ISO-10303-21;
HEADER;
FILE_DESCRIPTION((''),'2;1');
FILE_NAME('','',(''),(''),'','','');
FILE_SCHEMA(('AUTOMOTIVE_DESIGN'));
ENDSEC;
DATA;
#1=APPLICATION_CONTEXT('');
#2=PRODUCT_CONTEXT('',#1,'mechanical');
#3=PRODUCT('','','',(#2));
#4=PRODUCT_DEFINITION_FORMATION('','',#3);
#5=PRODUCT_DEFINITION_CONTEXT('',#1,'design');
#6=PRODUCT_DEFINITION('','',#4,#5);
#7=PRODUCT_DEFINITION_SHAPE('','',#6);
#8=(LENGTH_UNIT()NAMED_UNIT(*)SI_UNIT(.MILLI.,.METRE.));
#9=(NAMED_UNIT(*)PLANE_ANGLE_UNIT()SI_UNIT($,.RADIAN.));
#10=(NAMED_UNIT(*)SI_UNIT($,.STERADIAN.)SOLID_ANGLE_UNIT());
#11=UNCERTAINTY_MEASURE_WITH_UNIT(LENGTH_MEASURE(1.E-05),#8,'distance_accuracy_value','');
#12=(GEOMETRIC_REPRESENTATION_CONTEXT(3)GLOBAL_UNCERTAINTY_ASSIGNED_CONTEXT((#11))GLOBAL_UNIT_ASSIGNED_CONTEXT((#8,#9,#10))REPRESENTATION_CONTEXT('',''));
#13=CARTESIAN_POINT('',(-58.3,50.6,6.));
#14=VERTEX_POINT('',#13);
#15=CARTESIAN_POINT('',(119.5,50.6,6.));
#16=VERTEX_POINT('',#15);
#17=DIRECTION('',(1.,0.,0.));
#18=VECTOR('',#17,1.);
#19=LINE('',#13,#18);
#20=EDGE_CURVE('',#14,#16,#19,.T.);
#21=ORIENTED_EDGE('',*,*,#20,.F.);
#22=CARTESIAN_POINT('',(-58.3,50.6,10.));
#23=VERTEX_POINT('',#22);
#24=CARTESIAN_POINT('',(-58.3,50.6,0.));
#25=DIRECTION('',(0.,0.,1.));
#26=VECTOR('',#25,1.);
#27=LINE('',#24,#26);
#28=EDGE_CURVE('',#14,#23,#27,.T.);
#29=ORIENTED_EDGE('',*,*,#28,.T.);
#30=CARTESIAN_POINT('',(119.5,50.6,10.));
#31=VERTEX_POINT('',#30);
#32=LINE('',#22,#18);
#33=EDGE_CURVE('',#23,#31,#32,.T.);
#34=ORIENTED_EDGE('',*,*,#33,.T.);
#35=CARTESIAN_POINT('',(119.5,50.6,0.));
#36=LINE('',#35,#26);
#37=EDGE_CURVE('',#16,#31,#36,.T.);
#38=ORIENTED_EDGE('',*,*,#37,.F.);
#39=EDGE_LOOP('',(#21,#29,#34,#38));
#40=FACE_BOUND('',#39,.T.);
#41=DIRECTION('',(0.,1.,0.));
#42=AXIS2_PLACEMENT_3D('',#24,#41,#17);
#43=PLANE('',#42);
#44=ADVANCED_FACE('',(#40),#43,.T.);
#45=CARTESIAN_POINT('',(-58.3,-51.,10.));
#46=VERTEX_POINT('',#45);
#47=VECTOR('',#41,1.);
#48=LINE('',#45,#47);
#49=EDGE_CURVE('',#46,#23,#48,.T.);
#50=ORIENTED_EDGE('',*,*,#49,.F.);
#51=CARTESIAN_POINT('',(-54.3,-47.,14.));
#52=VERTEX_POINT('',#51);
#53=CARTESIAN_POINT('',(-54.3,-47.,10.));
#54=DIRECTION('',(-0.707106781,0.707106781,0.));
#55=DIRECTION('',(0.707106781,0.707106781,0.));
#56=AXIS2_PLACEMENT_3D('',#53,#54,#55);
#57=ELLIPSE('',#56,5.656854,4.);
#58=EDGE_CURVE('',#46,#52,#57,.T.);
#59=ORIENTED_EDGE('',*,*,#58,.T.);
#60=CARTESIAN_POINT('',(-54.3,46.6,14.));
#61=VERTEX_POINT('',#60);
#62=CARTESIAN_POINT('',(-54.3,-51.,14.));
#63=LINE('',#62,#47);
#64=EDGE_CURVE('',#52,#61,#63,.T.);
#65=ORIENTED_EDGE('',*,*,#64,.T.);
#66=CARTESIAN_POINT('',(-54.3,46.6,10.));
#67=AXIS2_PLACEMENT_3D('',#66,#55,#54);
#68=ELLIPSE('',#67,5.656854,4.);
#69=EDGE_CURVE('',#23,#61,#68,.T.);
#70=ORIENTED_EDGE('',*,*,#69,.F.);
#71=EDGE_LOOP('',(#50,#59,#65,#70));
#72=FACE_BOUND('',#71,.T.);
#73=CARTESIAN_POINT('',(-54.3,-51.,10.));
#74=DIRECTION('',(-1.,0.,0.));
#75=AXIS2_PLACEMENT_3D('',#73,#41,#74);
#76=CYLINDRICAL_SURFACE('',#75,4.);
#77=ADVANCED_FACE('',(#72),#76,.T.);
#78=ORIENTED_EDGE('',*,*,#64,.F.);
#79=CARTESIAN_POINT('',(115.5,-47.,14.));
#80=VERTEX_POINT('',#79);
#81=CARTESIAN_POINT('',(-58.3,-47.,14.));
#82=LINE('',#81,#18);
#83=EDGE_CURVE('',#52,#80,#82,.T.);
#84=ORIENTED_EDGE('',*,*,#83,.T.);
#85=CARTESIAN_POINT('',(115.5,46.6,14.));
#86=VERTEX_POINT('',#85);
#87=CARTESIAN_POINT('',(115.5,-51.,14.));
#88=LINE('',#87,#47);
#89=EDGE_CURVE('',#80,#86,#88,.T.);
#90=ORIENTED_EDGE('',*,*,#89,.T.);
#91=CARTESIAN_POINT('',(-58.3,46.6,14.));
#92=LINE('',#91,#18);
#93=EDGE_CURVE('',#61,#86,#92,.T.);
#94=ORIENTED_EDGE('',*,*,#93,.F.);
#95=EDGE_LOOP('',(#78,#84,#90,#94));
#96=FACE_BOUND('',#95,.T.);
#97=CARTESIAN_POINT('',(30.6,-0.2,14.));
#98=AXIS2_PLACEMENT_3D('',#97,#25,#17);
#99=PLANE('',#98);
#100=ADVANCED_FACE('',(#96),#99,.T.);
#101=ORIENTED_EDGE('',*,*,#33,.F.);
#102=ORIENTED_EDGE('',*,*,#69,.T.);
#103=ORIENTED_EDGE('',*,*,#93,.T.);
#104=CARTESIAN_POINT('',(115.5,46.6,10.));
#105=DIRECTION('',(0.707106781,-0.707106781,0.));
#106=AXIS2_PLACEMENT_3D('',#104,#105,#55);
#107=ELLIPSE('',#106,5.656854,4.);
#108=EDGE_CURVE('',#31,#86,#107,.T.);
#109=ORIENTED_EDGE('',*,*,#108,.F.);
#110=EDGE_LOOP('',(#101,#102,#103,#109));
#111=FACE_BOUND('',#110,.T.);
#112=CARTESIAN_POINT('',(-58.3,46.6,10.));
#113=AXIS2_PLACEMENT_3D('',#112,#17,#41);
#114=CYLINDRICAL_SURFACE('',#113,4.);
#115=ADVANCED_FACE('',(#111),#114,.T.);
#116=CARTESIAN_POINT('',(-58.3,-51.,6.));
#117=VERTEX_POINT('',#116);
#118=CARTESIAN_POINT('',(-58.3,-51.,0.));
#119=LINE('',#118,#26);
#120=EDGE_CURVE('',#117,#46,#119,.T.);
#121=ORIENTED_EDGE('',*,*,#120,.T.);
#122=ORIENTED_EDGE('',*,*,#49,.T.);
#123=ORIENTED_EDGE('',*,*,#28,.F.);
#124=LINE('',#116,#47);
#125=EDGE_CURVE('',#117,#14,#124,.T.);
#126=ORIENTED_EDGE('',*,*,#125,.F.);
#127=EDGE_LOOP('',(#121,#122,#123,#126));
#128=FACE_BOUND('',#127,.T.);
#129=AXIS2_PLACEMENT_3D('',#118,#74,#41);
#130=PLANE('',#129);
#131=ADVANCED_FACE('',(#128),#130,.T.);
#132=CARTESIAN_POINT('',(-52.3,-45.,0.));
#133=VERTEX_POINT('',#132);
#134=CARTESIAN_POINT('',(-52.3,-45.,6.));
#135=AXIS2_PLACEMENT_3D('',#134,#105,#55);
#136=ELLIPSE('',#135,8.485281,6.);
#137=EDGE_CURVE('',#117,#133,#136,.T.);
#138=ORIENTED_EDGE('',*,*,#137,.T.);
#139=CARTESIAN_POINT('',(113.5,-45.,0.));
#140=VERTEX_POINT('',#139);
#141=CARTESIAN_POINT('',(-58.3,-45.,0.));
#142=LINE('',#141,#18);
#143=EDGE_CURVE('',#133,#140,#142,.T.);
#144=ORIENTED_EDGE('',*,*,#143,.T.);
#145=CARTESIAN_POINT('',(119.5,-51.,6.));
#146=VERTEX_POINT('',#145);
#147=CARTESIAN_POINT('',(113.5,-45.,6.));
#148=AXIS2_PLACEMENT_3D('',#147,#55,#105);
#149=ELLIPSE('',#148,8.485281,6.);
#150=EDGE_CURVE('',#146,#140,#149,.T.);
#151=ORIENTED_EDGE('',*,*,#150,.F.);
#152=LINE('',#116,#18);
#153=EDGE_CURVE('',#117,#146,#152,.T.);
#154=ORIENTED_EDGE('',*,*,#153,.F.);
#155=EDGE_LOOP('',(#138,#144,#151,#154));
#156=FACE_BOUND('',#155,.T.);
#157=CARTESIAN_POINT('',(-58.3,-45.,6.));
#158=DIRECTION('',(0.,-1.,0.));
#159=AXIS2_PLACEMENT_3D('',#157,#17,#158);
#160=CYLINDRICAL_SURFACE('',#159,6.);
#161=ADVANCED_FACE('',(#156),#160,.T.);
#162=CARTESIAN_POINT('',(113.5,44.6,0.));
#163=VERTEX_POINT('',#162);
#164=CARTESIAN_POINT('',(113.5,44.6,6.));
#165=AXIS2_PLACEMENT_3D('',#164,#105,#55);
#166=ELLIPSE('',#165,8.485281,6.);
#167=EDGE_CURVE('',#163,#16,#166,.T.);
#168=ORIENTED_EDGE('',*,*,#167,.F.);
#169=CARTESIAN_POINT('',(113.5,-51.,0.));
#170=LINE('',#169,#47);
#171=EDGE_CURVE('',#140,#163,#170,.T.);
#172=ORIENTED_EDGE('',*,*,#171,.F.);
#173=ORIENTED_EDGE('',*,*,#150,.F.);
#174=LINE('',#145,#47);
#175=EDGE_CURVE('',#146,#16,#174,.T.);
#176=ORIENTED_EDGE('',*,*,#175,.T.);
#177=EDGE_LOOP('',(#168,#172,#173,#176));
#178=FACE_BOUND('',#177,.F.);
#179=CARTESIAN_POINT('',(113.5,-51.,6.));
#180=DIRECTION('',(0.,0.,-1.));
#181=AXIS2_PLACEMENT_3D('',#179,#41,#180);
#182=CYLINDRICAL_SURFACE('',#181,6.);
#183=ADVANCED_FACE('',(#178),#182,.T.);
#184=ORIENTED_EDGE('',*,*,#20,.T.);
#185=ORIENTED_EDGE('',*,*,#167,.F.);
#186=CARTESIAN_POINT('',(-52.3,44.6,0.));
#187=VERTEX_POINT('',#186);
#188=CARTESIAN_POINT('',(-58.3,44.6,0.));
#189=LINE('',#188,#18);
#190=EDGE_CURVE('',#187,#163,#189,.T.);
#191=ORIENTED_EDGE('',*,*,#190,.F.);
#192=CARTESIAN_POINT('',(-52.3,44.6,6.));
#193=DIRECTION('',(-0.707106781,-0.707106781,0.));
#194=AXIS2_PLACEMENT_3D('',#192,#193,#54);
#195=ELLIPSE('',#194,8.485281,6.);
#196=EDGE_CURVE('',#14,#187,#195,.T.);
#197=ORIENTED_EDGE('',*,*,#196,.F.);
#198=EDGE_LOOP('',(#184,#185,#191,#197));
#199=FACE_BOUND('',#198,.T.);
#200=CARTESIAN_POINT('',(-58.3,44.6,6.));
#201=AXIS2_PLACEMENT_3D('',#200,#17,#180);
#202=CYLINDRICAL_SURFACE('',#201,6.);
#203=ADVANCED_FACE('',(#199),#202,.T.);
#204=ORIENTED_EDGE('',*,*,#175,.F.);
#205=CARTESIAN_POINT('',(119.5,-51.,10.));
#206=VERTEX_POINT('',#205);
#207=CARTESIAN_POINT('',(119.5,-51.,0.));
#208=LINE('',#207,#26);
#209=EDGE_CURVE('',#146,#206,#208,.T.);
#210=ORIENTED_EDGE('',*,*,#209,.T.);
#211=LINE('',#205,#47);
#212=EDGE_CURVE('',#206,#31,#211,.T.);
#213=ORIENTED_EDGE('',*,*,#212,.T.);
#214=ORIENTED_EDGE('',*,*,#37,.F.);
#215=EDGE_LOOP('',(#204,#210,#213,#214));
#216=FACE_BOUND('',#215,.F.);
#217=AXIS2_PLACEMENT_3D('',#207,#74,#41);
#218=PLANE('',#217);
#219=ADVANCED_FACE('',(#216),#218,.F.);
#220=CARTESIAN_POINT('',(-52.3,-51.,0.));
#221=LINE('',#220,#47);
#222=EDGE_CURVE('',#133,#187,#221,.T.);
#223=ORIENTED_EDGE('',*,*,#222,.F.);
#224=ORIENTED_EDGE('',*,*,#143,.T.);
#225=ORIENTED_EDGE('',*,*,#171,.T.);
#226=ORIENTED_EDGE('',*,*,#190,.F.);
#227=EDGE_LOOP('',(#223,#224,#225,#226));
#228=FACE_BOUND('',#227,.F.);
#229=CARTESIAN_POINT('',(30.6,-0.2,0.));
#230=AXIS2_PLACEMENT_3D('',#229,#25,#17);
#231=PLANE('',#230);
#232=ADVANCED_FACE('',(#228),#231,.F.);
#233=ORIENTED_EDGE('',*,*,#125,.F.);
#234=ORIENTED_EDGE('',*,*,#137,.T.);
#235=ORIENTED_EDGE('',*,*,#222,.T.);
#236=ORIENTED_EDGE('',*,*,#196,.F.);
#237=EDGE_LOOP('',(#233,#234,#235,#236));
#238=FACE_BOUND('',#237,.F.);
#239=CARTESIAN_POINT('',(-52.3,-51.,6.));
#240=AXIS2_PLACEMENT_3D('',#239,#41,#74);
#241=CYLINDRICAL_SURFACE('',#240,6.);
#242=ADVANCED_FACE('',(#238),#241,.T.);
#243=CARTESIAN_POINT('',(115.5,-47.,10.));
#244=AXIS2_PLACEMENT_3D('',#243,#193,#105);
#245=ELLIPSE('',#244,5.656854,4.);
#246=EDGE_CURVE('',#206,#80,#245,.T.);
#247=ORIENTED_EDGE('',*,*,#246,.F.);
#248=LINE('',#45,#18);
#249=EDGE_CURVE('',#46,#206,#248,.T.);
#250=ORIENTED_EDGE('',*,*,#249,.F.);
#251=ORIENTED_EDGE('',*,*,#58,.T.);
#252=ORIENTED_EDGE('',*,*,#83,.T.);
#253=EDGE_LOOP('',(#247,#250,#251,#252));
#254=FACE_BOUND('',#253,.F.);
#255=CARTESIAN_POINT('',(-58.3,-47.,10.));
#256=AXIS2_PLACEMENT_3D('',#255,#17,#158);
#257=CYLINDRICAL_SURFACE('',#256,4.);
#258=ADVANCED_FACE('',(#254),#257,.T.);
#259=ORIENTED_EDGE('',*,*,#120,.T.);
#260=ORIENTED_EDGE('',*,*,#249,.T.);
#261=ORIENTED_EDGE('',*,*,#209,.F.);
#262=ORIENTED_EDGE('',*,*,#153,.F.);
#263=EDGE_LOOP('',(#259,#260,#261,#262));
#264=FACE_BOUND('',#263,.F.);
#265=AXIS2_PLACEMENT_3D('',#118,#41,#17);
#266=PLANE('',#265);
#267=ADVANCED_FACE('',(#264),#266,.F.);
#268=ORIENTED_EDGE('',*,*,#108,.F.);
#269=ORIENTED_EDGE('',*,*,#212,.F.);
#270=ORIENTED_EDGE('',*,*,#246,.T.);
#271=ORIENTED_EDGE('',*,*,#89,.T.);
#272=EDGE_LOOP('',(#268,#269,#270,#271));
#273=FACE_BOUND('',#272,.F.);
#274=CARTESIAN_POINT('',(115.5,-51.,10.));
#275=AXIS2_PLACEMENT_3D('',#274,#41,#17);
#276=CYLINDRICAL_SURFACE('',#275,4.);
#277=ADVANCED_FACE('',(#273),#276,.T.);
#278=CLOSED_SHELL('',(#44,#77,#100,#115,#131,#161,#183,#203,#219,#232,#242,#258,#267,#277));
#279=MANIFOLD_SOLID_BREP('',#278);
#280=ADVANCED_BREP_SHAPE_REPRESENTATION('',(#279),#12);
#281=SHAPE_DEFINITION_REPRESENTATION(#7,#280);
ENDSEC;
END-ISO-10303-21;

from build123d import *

# Parameters (mm, degrees)
F0_W     = 177.8
F0_H     = 101.6
F1_DEPTH = 14
F2_R     = 4
F3_R     = 6


with BuildPart() as f1:
    # F0 (on Top) → F1 (new body)
    with BuildSketch(Plane.XY):
        with Locations((30.6, -0.2)):
            Rectangle(F0_W, F0_H)
    extrude(amount=F1_DEPTH)

    # F2
    f2_edges = [f1.edges().sort_by_distance(p)[0] for p in [
        (-58.3, -0.2, 14),
        (30.6, 50.6, 14),
        (30.6, -51, 14),
        (119.5, -0.2, 14),
    ]]
    fillet(f2_edges, radius=F2_R)

    # F3
    f3_edges = [f1.edges().sort_by_distance(p)[0] for p in [
        (-58.3, -0.2, 0),
        (30.6, 50.6, 0),
        (30.6, -51, 0),
        (119.5, -0.2, 0),
    ]]
    fillet(f3_edges, radius=F3_R)


solid = f1.part
